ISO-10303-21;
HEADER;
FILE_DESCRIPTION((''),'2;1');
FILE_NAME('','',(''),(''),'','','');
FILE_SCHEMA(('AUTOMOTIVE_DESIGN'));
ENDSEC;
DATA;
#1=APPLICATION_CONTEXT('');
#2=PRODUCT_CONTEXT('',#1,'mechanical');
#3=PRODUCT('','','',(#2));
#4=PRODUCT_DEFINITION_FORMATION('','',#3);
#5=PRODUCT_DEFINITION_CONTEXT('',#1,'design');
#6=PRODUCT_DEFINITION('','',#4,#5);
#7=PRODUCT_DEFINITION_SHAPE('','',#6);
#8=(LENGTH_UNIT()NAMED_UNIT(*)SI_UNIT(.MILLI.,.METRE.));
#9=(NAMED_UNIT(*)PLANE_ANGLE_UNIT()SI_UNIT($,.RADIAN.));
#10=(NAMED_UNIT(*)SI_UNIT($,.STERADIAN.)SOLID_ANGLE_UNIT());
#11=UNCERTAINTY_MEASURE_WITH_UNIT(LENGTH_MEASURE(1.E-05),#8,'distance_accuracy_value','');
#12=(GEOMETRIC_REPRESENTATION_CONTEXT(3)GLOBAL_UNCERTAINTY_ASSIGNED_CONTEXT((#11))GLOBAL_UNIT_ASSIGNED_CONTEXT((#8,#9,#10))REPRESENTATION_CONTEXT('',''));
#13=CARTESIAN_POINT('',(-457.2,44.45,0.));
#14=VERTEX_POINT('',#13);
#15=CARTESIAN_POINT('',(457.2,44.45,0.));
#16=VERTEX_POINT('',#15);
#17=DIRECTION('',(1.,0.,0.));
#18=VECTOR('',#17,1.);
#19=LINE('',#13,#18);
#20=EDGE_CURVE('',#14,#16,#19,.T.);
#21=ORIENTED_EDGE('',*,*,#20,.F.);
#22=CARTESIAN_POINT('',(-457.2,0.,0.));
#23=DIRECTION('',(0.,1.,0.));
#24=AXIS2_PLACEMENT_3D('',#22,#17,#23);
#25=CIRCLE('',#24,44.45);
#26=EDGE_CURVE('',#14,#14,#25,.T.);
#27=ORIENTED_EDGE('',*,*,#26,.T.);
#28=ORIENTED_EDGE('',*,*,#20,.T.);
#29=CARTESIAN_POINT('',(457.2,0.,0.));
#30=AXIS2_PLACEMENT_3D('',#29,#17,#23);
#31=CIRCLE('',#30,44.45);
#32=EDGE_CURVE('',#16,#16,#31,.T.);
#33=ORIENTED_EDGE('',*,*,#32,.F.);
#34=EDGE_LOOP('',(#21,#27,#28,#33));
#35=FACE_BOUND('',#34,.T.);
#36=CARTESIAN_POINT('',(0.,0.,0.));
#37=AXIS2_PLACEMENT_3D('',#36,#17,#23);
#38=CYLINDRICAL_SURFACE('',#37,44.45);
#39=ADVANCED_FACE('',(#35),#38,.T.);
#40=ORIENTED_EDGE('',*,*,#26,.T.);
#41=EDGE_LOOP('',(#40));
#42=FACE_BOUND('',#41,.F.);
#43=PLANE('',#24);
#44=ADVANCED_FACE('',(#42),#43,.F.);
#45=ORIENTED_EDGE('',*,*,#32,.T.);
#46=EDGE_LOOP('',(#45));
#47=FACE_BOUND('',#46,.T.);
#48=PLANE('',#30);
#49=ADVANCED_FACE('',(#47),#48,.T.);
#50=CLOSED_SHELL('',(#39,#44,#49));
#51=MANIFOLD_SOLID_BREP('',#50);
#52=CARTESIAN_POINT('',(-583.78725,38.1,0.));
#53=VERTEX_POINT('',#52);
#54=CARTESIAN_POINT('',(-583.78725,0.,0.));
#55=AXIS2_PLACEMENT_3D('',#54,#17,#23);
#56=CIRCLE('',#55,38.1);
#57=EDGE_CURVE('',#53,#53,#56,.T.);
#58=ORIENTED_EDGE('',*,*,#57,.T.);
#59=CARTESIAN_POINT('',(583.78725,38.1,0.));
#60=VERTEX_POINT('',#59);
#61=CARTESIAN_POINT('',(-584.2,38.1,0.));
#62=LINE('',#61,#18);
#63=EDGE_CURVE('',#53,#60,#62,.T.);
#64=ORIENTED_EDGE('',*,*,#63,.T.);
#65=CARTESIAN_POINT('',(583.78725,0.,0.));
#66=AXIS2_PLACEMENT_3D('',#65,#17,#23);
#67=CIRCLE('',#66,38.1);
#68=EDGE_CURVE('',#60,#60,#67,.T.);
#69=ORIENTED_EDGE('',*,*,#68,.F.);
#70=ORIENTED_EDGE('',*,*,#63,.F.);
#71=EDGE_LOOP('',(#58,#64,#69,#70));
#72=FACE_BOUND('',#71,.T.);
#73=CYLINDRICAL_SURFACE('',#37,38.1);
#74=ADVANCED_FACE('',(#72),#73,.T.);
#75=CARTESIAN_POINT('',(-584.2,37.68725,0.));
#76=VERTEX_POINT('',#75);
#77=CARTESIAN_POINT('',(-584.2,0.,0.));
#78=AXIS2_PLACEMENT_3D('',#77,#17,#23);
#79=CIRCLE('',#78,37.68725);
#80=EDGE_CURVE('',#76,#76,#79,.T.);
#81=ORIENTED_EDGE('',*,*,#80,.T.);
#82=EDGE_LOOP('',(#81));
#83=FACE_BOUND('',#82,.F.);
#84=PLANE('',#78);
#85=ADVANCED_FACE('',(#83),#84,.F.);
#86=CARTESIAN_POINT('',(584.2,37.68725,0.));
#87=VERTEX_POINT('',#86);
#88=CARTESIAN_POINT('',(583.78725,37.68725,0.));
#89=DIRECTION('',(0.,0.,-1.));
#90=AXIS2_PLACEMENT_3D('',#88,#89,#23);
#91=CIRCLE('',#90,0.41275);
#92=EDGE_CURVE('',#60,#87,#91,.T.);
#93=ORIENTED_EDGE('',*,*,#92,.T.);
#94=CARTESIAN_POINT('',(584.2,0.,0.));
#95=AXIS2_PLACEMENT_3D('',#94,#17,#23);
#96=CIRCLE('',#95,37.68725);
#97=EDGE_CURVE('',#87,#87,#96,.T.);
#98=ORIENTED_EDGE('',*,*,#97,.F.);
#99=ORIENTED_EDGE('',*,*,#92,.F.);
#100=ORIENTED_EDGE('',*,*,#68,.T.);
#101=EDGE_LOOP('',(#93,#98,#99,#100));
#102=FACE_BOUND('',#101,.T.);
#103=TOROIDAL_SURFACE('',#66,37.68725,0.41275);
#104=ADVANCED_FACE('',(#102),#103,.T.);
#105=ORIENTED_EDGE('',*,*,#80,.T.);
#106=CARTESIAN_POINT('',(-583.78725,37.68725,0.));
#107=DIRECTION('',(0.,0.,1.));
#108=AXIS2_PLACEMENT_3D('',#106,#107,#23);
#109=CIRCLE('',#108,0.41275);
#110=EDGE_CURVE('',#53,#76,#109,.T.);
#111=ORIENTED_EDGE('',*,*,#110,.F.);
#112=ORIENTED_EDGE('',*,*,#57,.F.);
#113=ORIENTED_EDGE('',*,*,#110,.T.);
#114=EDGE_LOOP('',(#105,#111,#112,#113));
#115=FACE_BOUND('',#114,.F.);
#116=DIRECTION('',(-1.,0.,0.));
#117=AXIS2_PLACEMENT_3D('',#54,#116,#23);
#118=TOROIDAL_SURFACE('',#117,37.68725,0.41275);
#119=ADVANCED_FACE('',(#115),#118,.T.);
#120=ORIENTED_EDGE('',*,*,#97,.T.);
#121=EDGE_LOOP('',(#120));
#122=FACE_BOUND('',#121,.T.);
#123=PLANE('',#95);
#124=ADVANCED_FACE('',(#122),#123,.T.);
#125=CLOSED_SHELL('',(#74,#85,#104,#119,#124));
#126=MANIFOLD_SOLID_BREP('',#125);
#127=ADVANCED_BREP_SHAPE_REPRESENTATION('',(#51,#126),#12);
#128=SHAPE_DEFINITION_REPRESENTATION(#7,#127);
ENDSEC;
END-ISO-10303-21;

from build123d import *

# Parameters (mm, degrees)
F0_R     = 38.1
F1_DEPTH = 584.2
F2_R     = 0.41275
F3_R     = 44.45
F4_DEPTH = 457.2


with BuildPart() as f1:
    # F0 (on Right) → F1 (new body, symmetric)
    with BuildSketch(Plane.YZ):
        Circle(F0_R)
    extrude(amount=F1_DEPTH, both=True)

    # F2
    f2_edges = [f1.edges().sort_by_distance(p)[0] for p in [
        (-584.2, -38.1, 0),
        (584.2, -38.1, 0),
    ]]
    fillet(f2_edges, radius=F2_R)


with BuildPart() as f4:
    # F3 (on Right) → F4 (new body, symmetric)
    with BuildSketch(Plane.YZ):
        Circle(F3_R)
    extrude(amount=F4_DEPTH, both=True)


solid = Compound([f1.part, f4.part])
